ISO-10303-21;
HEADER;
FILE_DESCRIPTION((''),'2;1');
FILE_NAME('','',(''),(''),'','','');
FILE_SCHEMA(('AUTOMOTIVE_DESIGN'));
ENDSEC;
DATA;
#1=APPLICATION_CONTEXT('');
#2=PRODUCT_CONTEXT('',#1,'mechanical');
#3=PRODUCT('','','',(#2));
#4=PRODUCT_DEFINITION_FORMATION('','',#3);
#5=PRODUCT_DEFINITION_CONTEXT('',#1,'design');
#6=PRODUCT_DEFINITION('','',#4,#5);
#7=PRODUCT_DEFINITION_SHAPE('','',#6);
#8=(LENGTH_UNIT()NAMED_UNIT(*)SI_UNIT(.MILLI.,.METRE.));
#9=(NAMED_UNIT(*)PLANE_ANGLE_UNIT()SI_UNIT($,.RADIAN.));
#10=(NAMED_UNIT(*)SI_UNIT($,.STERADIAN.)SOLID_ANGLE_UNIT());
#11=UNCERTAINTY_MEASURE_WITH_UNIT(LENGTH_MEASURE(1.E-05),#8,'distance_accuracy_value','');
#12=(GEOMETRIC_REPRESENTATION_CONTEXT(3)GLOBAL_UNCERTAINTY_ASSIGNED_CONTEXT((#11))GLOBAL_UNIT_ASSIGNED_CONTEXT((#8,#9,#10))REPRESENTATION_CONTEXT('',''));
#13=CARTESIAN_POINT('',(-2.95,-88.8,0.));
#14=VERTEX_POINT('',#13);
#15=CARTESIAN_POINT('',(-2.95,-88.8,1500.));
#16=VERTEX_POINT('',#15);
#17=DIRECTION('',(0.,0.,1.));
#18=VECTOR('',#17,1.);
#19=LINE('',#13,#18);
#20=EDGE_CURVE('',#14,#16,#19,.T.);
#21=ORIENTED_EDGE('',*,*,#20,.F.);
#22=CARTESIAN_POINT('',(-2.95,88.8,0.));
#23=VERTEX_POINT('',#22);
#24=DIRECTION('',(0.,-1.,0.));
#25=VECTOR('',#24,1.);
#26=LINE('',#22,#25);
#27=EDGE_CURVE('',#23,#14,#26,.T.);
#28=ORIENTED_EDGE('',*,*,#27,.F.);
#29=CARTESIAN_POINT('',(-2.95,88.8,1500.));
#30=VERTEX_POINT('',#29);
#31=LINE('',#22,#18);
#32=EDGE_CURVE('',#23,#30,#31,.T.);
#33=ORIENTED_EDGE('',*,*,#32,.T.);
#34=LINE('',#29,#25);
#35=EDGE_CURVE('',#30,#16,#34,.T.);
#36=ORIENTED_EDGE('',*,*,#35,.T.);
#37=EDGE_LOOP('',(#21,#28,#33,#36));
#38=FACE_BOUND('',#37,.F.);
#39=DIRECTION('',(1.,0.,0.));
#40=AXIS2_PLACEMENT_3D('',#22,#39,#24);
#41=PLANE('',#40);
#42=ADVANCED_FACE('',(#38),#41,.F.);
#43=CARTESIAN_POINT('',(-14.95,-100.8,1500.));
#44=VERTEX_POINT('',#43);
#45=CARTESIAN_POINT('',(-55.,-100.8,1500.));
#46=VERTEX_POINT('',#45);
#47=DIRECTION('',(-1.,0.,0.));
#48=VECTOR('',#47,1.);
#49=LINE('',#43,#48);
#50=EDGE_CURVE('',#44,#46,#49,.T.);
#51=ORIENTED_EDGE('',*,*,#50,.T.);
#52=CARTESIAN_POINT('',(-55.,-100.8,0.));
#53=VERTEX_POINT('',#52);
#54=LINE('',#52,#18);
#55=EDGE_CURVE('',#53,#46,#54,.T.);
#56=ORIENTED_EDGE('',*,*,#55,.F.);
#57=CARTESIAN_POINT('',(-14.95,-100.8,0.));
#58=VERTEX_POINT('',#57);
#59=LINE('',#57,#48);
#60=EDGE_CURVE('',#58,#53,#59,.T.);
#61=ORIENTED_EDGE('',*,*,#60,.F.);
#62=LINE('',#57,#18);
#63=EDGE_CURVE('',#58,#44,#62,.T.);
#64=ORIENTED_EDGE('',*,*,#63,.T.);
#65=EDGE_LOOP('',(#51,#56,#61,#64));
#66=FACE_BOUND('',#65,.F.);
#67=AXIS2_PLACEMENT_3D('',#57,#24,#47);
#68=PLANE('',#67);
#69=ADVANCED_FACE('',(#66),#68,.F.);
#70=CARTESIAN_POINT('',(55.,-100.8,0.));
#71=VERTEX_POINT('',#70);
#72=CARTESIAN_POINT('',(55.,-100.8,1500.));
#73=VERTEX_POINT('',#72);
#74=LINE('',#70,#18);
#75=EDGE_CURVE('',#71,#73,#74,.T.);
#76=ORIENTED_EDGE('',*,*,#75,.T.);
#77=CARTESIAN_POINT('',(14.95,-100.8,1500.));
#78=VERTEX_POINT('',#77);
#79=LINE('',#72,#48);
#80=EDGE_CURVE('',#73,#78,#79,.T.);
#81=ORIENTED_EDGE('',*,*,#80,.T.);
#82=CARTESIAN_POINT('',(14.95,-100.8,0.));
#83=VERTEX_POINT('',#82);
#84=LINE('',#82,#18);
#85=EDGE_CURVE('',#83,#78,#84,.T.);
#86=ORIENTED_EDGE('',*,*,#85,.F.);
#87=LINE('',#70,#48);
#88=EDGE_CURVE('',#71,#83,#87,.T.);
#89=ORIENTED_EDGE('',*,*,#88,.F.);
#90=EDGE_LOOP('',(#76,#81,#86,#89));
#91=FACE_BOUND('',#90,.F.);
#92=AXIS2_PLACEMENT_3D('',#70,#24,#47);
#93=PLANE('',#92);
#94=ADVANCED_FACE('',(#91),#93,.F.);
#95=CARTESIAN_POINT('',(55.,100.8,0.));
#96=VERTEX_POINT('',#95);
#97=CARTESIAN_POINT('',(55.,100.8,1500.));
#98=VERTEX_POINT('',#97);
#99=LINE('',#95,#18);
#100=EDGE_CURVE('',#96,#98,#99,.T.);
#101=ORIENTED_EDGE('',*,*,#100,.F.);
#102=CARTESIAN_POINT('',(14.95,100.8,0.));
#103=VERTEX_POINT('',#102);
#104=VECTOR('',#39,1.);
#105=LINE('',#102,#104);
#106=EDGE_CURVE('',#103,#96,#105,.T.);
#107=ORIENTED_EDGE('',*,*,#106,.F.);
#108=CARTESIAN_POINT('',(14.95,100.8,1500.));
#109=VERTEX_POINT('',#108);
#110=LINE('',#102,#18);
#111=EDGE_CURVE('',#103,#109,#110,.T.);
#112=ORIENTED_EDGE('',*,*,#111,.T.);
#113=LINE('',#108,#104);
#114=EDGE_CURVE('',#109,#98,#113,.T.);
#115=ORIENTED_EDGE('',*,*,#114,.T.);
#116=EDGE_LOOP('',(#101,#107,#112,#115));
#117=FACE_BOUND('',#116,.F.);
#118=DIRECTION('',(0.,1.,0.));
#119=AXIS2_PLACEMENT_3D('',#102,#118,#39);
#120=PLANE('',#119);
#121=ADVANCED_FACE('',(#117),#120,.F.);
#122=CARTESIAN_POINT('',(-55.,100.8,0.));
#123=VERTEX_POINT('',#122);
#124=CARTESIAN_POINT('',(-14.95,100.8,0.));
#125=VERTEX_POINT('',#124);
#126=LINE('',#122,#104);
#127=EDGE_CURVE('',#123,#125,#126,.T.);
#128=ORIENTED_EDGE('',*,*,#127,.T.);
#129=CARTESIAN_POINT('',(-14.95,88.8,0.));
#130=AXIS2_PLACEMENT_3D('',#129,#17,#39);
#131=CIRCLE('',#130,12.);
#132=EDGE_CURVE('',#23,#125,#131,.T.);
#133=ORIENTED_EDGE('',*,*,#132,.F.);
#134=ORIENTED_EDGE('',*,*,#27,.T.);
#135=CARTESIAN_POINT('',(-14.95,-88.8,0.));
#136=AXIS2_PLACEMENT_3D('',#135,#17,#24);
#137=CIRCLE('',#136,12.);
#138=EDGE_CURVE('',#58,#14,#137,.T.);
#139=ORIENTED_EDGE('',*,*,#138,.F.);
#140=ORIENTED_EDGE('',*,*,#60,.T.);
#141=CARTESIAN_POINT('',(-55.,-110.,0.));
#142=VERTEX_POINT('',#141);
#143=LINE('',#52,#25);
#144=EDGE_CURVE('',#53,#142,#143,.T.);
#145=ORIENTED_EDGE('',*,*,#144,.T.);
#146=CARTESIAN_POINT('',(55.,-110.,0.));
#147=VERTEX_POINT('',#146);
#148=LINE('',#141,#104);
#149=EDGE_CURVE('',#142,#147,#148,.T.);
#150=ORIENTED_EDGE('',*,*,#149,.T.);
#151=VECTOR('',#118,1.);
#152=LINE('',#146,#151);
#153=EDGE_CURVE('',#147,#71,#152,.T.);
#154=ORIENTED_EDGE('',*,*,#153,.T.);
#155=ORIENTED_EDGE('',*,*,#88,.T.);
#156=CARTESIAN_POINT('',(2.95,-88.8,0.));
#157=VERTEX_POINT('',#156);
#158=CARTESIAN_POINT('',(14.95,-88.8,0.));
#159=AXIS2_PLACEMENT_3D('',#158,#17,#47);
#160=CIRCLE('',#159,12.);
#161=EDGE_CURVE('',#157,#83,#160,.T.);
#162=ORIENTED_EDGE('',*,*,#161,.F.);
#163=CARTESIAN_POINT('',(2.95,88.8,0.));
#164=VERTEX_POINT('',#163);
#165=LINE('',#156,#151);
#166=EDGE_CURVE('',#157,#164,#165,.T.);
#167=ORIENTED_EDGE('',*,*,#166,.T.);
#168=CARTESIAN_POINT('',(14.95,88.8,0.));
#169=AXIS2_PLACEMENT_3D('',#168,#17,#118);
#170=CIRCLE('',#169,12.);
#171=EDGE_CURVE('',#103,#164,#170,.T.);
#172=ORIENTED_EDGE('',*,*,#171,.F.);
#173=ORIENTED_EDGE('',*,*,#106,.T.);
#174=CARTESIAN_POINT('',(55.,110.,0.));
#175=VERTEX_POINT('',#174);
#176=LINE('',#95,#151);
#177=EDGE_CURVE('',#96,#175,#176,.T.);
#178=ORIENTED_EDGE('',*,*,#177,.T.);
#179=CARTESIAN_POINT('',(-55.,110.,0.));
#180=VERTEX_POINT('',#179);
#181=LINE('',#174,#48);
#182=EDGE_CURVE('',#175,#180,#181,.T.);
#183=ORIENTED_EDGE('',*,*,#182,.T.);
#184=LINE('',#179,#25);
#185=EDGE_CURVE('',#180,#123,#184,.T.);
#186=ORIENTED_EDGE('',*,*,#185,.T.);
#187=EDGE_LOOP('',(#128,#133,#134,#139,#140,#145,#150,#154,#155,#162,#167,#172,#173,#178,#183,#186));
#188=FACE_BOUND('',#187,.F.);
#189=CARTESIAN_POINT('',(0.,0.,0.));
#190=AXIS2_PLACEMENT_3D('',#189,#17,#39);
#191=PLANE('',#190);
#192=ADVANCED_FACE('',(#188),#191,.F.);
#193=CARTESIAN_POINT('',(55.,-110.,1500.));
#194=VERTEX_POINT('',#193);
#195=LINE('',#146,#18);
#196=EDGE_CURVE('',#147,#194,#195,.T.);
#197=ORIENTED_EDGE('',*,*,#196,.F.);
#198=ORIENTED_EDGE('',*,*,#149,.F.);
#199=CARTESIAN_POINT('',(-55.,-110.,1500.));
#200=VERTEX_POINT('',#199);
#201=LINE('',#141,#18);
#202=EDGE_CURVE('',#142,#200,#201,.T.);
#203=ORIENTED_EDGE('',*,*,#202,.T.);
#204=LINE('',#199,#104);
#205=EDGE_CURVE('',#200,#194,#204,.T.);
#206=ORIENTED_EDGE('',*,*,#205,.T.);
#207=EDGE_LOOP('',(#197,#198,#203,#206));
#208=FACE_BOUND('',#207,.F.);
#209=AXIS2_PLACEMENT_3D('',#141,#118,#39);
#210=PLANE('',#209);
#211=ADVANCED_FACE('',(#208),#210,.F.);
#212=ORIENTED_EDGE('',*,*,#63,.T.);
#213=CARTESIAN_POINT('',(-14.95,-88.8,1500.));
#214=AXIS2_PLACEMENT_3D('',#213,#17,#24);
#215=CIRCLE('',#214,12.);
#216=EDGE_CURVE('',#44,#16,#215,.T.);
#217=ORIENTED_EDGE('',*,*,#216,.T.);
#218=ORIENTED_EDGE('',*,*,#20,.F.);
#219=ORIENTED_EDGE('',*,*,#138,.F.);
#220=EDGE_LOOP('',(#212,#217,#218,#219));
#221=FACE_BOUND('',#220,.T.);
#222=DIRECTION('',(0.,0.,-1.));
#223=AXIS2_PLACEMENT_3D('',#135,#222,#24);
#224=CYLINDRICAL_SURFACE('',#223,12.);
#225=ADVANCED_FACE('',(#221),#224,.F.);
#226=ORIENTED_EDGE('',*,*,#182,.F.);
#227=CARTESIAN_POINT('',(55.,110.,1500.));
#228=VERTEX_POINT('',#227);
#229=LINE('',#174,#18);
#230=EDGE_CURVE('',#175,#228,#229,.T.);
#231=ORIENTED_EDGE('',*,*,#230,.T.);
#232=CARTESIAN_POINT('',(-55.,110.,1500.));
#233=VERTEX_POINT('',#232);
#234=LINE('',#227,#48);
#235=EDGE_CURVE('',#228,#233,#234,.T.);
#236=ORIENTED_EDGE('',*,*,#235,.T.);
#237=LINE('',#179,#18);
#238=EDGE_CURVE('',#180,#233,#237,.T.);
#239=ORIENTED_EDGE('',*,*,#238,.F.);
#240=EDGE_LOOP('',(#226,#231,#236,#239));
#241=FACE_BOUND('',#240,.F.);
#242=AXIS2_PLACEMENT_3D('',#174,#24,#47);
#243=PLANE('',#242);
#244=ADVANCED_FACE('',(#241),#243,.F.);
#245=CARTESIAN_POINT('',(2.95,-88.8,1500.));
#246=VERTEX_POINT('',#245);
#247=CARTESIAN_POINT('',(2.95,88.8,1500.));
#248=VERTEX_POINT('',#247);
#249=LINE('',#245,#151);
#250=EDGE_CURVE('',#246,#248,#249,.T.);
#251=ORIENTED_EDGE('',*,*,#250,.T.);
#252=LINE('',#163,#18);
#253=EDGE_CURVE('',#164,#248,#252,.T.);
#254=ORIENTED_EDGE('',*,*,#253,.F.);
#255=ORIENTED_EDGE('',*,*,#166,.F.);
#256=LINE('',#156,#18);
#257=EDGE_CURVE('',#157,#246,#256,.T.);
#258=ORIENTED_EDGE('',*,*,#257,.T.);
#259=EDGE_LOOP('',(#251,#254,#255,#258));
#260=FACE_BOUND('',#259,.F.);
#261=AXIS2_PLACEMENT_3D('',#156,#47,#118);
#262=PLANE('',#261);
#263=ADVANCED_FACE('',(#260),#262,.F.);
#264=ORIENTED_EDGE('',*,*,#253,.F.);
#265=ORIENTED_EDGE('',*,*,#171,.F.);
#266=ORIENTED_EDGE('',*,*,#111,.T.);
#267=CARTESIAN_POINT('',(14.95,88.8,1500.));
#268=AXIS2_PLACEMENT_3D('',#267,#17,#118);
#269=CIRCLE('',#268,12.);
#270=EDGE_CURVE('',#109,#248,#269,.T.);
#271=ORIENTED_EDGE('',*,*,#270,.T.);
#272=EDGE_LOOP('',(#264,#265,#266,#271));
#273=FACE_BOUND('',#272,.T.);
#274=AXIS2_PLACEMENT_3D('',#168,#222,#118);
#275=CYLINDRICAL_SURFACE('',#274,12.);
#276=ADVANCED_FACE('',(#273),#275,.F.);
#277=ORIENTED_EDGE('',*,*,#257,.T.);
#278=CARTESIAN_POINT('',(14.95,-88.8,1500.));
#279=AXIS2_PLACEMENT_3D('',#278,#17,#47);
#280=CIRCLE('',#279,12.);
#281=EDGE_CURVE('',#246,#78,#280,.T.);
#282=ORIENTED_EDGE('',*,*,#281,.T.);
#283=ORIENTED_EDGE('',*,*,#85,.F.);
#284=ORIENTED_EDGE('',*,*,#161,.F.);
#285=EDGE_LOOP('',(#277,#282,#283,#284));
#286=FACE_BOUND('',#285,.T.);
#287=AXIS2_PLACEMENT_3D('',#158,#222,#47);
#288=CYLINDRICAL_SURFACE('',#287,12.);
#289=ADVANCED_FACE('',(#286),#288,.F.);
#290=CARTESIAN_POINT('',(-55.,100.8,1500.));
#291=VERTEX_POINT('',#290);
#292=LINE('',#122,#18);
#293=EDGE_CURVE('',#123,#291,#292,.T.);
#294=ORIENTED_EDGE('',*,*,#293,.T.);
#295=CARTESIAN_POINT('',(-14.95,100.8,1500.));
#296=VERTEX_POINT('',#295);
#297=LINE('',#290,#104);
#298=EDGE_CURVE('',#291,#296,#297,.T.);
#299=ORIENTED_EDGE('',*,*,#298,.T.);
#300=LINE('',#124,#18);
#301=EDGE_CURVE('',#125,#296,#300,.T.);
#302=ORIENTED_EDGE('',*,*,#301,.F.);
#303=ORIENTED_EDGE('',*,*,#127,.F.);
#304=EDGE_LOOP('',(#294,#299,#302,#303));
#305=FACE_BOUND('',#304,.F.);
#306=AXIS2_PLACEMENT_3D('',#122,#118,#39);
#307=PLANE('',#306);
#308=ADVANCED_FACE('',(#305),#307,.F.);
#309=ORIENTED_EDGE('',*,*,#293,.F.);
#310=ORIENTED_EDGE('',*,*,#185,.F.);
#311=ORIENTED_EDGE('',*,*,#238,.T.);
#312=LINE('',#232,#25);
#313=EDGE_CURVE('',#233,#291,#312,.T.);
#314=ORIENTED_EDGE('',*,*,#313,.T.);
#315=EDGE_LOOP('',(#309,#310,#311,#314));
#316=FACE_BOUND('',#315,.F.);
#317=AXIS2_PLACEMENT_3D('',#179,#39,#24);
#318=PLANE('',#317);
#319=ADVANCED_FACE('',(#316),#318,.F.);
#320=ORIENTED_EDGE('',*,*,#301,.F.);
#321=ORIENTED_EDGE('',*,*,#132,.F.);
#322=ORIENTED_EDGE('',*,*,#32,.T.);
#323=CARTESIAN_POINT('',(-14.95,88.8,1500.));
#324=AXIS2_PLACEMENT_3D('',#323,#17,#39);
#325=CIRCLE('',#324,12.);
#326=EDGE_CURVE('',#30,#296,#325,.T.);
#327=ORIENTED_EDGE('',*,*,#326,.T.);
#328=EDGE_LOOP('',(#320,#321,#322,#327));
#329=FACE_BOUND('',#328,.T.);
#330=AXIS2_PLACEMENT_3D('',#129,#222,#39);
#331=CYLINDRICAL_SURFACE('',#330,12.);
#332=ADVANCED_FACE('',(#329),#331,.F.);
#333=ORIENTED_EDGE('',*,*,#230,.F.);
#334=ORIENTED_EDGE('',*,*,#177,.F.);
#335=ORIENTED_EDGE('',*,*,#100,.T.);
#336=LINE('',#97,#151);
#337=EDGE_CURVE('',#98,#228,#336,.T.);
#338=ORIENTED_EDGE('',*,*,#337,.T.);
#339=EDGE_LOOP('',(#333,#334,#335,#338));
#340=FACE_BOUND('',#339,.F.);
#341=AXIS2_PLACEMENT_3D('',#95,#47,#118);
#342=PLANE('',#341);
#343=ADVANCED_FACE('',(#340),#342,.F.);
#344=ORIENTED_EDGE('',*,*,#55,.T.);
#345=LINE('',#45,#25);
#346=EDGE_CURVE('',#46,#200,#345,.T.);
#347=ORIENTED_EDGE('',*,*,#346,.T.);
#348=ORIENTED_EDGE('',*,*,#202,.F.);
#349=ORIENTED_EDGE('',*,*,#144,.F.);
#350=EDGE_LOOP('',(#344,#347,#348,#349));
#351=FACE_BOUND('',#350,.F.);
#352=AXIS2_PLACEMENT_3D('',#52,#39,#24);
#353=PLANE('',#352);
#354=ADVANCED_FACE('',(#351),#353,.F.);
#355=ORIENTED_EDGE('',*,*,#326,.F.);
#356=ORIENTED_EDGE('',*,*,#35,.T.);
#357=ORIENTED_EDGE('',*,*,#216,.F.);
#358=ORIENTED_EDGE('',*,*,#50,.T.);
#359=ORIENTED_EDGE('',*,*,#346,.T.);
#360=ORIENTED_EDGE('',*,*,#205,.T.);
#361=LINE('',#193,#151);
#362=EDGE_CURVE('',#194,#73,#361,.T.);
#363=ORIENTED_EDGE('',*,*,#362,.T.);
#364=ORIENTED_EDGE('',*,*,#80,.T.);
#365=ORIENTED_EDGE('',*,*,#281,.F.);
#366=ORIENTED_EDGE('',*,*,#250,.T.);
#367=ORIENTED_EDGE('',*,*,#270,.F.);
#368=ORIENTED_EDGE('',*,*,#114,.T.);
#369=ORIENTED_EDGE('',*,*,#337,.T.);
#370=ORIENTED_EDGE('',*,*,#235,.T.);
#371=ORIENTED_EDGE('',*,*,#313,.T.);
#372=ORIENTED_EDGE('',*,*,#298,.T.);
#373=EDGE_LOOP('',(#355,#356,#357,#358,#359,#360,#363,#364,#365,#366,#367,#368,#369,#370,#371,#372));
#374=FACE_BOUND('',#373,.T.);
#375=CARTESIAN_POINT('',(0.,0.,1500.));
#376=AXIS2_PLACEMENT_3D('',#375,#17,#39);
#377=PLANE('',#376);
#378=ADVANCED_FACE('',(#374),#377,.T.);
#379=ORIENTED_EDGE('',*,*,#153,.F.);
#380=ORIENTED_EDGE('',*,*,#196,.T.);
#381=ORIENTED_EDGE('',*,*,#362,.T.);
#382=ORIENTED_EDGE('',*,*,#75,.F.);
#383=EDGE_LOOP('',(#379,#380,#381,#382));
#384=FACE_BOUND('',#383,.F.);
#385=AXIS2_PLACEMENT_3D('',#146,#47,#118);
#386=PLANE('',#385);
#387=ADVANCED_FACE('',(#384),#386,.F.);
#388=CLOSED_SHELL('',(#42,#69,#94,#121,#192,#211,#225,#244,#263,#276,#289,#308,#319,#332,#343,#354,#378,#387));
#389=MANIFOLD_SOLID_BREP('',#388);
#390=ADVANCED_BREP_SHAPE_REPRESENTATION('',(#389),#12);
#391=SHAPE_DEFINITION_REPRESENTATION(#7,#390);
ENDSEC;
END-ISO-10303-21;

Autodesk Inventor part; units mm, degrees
ref_plane "YZ Plane" through (0, 0, 0) normal (1, 0, 0) x (0, 1, 0)
ref_plane "Start plane" through (0, 0, 0) normal (0, 0, 1) x (1, 0, 0)
ref_plane "End plane" through (0, 0, 1500) normal (0, 0, 1) x (1, 0, 0)
sketch "Sketch2" plane through (0, 0, 0) normal (0, 0, 1) x (1, 0, 0)
  line L0 (-55, 100.8) -> (-14.95, 100.8)
  line L1 (-55, 110) -> (-55, 100.8)
  line L2 (55, 110) -> (-55, 110)
  line L3 (55, 100.8) -> (55, 110)
  line L4 (14.95, 100.8) -> (55, 100.8)
  line L5 (2.95, -88.8) -> (2.95, 88.8)
  line L6 (55, -100.8) -> (14.95, -100.8)
  line L7 (55, -110) -> (55, -100.8)
  line L8 (-55, -100.8) -> (-55, -110)
  line L9 (-14.95, -100.8) -> (-55, -100.8)
  line L10 (-2.95, 88.8) -> (-2.95, -88.8)
  line L11 (0, -252) -> (0, 252) construction
  line L12 (-2.95, -100.8) -> (2.95, -100.8) construction
  arc A0 (-14.95, -100.8) -> (-2.95, -88.8) centre (-14.95, -88.8) ccw
  arc A1 (-2.95, 88.8) -> (-14.95, 100.8) centre (-14.95, 88.8) ccw
  arc A2 (14.95, 100.8) -> (2.95, 88.8) centre (14.95, 88.8) ccw
  arc A3 (2.95, -88.8) -> (14.95, -100.8) centre (14.95, -88.8) ccw
  line L13 (-119, 0) -> (119, 0) construction
  line L14 (-55, -110) -> (55, -110)
  point P0 (-2.95, 100.8)
  point P1 (2.95, 100.8)
  point P2 (0, 0)
  point P3 (0, -100.8)
  point P4 (0, 0)
  dimension "d1" = 220
  dimension "d3" = 9.2
  dimension "d5" = 5.9
  dimension "d7" = 110
  dimension "d13" = 12
  dimension "d14" = 110
  dimension "d15" = 55
extrude "Body" add sketch "Sketch2" along normal up to surface (1500 mm away) from surface at 0
sketch "Sketch3" plane through (0, 0, 0) normal (0, 0, 1) x (1, 0, 0)
  line L0 (0, 0) -> (10, 0)
ref_plane "Work Plane3" through (0, 0, 0) normal (0, -1, 0) x (1, 0, 0)
sketch "Sketch4" plane through (0, 0, 0) normal (0, -1, 0) x (1, 0, 0)
  line L0 (-2, 0) -> (12, 0) projected
  line L1 (-2, 1500) -> (12, 1500) projected
  dimension "d19" = 1500
equation "\"d1\" = ParH"
equation "\"d3\" = t2"
equation "\"d5\" = t1"
equation "\"d7\" = b"
equation "\"d13\" = R1"
equation "\"d14\" = 0.5 * d1"
equation "\"d15\" = 0.5 * d7"
equation "\"d8\" = G_L"
equation "\"b\" = 110"
equation "\"ParH\" = 220"
equation "\"R1\" = 12"
equation "\"G_L\" = d19"
equation "\"t1\" = 5.9"
equation "\"t2\" = 9.2"
equation "\"G_OFFSET_START\" = 0"
equation "\"G_OFFSET_END\" = 0"
properties part number "DIN 1025 - IPE 220-1500" material "Steel, Mild"
